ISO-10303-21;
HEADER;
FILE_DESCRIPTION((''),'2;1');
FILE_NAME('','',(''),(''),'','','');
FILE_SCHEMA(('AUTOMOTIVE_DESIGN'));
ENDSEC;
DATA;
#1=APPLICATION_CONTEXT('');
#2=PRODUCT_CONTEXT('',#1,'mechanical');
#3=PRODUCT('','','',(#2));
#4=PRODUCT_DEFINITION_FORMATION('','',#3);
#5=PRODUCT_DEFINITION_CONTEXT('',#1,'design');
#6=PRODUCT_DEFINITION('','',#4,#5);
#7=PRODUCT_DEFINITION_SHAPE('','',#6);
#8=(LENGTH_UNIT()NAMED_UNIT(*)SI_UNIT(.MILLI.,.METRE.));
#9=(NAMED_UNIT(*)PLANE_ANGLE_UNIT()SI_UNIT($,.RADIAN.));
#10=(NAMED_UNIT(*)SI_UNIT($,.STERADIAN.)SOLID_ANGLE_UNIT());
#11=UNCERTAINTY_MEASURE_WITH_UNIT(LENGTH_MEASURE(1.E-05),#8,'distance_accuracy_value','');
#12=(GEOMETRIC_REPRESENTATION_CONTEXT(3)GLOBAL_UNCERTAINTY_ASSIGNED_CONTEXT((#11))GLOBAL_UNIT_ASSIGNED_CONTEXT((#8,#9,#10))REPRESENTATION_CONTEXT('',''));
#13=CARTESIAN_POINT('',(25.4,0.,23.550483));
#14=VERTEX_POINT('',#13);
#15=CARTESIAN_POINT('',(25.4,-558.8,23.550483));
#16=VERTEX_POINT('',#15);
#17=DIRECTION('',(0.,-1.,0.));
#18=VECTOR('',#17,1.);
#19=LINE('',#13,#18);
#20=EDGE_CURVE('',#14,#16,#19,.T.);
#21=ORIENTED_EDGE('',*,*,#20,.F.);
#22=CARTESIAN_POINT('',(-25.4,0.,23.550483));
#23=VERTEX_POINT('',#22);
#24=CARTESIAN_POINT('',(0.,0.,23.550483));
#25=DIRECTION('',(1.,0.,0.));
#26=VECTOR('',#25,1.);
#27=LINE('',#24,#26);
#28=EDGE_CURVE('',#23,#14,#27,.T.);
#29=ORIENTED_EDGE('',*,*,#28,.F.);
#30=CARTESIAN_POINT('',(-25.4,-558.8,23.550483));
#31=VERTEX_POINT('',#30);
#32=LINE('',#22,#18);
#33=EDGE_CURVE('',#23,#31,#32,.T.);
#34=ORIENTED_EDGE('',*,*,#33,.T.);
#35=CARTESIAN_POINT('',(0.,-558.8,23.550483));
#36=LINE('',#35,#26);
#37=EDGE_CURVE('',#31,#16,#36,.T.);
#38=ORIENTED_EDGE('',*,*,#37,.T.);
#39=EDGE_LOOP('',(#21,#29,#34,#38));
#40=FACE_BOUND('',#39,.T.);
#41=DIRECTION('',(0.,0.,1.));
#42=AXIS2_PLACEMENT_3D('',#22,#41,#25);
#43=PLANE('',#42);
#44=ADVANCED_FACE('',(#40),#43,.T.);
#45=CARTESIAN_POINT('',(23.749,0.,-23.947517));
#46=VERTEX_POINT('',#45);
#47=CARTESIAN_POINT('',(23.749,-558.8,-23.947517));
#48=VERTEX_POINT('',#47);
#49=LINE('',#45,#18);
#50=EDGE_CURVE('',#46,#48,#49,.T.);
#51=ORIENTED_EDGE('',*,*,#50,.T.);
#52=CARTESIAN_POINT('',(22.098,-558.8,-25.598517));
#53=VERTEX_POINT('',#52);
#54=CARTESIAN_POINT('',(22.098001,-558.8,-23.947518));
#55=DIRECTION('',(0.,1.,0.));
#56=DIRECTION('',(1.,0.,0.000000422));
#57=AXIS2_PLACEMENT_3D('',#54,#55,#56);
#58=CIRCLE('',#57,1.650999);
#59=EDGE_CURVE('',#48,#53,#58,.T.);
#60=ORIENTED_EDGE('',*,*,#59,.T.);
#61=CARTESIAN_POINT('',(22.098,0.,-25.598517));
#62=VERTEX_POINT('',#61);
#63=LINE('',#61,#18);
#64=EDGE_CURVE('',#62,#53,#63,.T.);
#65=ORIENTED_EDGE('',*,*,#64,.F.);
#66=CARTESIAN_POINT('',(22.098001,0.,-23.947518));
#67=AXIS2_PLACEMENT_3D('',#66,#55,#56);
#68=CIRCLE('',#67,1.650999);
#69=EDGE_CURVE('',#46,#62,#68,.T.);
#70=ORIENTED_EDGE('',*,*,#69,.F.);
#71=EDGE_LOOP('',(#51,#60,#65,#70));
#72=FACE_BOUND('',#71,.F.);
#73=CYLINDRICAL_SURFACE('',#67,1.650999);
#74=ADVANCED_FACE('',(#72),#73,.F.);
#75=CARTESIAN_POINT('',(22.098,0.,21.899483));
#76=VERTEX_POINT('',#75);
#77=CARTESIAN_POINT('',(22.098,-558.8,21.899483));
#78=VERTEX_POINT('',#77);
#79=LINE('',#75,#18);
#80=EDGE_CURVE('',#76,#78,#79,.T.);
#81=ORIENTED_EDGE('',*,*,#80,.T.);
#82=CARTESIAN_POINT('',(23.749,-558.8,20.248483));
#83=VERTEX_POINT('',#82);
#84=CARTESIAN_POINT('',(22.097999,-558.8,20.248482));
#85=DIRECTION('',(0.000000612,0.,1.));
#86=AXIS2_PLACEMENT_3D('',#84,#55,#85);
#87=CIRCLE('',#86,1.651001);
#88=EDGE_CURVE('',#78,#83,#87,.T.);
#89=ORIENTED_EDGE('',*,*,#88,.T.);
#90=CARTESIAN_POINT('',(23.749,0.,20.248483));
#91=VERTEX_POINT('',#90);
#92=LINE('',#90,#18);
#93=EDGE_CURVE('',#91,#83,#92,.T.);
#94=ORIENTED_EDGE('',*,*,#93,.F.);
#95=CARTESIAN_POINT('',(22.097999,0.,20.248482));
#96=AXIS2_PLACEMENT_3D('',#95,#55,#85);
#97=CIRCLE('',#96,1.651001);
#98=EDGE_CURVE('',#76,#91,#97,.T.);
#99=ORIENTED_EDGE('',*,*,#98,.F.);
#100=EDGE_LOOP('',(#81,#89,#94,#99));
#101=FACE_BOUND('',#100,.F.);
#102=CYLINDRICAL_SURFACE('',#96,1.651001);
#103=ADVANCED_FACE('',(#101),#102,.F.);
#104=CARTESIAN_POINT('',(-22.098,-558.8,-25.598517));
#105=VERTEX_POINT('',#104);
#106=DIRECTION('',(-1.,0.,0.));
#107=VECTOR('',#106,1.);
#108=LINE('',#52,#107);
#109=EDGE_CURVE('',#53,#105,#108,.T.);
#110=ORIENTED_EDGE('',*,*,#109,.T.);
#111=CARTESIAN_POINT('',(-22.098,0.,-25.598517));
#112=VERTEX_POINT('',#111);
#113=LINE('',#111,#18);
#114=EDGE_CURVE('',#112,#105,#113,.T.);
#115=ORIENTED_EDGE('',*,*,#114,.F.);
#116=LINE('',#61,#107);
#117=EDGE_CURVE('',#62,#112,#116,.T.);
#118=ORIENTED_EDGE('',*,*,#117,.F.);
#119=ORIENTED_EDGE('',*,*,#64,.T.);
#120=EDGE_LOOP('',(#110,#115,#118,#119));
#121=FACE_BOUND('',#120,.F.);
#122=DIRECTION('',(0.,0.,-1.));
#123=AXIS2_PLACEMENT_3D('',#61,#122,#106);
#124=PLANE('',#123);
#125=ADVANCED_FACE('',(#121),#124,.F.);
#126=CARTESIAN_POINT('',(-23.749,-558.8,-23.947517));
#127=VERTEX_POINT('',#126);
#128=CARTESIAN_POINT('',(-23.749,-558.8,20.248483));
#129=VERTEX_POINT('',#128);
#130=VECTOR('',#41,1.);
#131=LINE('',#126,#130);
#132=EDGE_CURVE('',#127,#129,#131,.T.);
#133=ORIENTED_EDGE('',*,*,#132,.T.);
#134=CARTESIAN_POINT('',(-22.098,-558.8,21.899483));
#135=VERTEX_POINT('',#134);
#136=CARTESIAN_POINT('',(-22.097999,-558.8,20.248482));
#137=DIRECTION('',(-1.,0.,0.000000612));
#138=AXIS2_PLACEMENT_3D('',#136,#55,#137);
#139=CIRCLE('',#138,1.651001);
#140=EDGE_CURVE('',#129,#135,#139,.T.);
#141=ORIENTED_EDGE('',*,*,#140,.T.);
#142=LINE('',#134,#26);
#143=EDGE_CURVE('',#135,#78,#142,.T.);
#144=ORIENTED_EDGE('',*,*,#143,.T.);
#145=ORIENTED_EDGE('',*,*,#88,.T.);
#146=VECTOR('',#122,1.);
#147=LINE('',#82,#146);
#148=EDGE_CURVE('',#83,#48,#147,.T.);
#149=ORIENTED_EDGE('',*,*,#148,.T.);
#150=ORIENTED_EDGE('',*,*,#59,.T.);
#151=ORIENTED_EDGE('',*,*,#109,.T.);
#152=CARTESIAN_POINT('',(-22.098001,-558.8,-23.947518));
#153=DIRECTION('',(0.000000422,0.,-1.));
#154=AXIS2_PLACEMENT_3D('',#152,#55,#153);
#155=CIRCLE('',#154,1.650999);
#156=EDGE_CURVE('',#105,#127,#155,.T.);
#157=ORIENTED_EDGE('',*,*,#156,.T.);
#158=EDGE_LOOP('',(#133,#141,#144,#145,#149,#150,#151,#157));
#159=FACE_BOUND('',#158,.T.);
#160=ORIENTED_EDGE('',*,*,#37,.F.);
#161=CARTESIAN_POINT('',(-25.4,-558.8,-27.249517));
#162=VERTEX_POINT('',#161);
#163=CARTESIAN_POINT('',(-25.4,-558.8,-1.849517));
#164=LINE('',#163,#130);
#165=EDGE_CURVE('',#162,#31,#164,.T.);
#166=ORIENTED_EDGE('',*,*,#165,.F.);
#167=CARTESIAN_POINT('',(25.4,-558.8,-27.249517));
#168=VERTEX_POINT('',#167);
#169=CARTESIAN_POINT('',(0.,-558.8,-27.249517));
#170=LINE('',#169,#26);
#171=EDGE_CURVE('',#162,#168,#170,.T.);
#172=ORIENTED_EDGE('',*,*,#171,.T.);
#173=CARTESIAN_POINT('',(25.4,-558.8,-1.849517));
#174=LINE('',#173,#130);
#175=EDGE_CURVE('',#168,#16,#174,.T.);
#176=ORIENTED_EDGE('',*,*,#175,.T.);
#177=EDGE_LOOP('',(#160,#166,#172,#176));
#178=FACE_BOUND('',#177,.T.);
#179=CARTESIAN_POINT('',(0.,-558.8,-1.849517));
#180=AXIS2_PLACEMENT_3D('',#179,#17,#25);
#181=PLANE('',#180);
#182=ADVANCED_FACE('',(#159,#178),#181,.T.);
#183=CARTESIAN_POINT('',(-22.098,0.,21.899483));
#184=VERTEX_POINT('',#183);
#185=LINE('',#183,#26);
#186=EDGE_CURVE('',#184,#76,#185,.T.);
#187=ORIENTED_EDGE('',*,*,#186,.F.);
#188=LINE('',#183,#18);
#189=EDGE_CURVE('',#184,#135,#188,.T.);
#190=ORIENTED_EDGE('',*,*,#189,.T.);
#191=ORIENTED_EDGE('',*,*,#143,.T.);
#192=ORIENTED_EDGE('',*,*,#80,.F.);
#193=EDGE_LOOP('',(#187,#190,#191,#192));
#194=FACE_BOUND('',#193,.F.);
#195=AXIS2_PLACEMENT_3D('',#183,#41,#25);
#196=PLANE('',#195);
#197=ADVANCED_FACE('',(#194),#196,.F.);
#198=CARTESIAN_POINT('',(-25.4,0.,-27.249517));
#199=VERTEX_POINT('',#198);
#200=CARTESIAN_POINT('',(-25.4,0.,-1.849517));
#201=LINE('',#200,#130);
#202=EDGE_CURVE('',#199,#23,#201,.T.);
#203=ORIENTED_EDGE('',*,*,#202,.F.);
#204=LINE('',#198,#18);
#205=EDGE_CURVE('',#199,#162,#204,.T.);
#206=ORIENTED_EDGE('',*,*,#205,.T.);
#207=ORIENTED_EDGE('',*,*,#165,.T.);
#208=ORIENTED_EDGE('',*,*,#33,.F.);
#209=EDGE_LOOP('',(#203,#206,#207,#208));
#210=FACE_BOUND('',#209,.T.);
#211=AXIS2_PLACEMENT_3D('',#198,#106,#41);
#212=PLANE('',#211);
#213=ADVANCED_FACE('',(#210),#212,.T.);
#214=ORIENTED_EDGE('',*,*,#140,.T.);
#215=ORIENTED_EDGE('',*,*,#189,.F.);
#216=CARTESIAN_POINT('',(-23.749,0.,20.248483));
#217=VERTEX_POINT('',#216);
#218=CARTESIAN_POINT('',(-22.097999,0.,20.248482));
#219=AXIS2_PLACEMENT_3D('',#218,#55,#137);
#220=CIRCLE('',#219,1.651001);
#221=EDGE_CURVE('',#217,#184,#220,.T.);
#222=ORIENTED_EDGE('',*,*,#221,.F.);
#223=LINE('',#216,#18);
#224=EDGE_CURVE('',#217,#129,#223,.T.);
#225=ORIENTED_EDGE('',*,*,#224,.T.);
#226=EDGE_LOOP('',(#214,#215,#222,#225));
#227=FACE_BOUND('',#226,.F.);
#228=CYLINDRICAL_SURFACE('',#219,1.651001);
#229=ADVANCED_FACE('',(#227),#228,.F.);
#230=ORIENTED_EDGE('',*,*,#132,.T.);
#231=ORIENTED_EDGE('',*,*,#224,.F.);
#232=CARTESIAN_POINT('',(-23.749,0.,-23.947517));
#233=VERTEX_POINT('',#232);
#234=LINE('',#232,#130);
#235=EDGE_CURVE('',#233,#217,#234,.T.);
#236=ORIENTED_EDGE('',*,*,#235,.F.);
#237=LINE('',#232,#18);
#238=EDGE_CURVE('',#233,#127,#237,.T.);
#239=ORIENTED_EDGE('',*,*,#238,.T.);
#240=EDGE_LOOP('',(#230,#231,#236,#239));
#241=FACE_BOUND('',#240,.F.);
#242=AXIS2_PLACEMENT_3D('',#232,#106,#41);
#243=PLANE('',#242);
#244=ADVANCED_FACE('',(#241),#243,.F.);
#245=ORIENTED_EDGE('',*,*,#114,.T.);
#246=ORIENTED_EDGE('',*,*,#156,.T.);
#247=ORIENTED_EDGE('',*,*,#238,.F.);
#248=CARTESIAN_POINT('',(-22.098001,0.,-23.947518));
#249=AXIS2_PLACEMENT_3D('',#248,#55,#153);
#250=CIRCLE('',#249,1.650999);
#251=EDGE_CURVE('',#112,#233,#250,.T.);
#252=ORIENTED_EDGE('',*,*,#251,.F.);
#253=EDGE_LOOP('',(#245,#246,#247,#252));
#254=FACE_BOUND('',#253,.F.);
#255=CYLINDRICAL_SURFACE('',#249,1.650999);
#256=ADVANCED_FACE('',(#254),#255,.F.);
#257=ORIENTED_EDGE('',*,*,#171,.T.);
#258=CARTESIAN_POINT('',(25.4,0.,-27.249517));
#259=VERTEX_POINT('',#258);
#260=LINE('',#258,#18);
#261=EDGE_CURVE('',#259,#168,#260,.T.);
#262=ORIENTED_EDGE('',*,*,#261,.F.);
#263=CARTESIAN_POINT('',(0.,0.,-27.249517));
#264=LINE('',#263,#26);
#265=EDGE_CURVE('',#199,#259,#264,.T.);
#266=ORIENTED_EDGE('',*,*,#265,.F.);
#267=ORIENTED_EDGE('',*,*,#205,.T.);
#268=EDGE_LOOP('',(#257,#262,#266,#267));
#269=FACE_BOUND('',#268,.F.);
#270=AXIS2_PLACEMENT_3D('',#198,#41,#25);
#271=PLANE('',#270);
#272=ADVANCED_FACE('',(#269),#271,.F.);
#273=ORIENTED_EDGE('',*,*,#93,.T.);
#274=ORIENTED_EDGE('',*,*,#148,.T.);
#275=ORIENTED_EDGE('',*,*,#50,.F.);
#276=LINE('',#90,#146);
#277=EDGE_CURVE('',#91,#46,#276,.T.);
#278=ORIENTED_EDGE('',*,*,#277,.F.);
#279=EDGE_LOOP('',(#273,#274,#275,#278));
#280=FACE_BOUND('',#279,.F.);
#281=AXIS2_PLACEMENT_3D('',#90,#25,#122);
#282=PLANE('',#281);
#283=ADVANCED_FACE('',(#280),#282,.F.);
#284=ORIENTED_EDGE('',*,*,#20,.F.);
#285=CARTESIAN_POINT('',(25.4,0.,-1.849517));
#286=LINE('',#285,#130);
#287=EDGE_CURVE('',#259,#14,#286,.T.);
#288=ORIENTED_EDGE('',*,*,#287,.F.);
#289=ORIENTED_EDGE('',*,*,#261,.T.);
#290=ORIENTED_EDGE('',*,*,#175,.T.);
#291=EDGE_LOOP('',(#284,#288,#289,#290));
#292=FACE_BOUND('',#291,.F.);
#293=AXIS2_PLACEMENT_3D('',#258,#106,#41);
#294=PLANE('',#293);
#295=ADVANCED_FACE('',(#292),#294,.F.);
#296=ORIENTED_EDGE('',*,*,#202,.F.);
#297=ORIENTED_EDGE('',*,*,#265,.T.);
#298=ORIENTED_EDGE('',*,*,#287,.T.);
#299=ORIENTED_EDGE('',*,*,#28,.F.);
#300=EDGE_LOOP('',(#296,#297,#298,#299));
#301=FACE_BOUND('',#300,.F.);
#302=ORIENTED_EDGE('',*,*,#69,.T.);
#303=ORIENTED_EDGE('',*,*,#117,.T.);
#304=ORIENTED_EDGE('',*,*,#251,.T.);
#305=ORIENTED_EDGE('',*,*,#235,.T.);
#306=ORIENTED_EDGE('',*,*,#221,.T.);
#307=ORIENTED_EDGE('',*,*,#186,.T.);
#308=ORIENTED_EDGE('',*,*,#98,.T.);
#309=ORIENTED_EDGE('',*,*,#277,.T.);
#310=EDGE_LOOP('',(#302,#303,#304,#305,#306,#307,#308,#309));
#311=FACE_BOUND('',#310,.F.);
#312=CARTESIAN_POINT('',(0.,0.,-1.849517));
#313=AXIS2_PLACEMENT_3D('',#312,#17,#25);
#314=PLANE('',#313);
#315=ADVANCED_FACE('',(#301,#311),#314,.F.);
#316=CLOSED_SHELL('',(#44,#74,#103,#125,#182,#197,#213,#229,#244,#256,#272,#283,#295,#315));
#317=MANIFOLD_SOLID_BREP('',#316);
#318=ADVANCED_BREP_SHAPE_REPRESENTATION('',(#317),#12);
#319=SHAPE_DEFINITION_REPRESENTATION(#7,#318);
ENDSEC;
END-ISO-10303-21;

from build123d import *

# Parameters (mm, degrees)
F0_W     = 50.8
F0_H     = 50.8
F1_DEPTH = 558.8


with BuildPart() as f1:
    # F0 (on Front) → F1 (new body)
    with BuildSketch(Plane.XZ):
        with Locations((0, -1.849517)):
            Rectangle(F0_W, F0_H)
        with BuildLine():
            Line((-22.098, 21.899483), (22.098, 21.899483))
            ThreePointArc((22.098, 21.899483), (23.265433, 21.415916), (23.749, 20.248483))
            Line((23.749, 20.248483), (23.749, -23.947517))
            ThreePointArc((23.749, -23.947517), (23.265433, -25.114951), (22.098, -25.598517))
            Line((22.098, -25.598517), (-22.098, -25.598517))
            ThreePointArc((-22.098, -25.598517), (-23.265433, -25.114951), (-23.749, -23.947517))
            Line((-23.749, -23.947517), (-23.749, 20.248483))
            ThreePointArc((-23.749, 20.248483), (-23.265433, 21.415916), (-22.098, 21.899483))
        make_face(mode=Mode.SUBTRACT)
    extrude(amount=F1_DEPTH)


solid = f1.part
